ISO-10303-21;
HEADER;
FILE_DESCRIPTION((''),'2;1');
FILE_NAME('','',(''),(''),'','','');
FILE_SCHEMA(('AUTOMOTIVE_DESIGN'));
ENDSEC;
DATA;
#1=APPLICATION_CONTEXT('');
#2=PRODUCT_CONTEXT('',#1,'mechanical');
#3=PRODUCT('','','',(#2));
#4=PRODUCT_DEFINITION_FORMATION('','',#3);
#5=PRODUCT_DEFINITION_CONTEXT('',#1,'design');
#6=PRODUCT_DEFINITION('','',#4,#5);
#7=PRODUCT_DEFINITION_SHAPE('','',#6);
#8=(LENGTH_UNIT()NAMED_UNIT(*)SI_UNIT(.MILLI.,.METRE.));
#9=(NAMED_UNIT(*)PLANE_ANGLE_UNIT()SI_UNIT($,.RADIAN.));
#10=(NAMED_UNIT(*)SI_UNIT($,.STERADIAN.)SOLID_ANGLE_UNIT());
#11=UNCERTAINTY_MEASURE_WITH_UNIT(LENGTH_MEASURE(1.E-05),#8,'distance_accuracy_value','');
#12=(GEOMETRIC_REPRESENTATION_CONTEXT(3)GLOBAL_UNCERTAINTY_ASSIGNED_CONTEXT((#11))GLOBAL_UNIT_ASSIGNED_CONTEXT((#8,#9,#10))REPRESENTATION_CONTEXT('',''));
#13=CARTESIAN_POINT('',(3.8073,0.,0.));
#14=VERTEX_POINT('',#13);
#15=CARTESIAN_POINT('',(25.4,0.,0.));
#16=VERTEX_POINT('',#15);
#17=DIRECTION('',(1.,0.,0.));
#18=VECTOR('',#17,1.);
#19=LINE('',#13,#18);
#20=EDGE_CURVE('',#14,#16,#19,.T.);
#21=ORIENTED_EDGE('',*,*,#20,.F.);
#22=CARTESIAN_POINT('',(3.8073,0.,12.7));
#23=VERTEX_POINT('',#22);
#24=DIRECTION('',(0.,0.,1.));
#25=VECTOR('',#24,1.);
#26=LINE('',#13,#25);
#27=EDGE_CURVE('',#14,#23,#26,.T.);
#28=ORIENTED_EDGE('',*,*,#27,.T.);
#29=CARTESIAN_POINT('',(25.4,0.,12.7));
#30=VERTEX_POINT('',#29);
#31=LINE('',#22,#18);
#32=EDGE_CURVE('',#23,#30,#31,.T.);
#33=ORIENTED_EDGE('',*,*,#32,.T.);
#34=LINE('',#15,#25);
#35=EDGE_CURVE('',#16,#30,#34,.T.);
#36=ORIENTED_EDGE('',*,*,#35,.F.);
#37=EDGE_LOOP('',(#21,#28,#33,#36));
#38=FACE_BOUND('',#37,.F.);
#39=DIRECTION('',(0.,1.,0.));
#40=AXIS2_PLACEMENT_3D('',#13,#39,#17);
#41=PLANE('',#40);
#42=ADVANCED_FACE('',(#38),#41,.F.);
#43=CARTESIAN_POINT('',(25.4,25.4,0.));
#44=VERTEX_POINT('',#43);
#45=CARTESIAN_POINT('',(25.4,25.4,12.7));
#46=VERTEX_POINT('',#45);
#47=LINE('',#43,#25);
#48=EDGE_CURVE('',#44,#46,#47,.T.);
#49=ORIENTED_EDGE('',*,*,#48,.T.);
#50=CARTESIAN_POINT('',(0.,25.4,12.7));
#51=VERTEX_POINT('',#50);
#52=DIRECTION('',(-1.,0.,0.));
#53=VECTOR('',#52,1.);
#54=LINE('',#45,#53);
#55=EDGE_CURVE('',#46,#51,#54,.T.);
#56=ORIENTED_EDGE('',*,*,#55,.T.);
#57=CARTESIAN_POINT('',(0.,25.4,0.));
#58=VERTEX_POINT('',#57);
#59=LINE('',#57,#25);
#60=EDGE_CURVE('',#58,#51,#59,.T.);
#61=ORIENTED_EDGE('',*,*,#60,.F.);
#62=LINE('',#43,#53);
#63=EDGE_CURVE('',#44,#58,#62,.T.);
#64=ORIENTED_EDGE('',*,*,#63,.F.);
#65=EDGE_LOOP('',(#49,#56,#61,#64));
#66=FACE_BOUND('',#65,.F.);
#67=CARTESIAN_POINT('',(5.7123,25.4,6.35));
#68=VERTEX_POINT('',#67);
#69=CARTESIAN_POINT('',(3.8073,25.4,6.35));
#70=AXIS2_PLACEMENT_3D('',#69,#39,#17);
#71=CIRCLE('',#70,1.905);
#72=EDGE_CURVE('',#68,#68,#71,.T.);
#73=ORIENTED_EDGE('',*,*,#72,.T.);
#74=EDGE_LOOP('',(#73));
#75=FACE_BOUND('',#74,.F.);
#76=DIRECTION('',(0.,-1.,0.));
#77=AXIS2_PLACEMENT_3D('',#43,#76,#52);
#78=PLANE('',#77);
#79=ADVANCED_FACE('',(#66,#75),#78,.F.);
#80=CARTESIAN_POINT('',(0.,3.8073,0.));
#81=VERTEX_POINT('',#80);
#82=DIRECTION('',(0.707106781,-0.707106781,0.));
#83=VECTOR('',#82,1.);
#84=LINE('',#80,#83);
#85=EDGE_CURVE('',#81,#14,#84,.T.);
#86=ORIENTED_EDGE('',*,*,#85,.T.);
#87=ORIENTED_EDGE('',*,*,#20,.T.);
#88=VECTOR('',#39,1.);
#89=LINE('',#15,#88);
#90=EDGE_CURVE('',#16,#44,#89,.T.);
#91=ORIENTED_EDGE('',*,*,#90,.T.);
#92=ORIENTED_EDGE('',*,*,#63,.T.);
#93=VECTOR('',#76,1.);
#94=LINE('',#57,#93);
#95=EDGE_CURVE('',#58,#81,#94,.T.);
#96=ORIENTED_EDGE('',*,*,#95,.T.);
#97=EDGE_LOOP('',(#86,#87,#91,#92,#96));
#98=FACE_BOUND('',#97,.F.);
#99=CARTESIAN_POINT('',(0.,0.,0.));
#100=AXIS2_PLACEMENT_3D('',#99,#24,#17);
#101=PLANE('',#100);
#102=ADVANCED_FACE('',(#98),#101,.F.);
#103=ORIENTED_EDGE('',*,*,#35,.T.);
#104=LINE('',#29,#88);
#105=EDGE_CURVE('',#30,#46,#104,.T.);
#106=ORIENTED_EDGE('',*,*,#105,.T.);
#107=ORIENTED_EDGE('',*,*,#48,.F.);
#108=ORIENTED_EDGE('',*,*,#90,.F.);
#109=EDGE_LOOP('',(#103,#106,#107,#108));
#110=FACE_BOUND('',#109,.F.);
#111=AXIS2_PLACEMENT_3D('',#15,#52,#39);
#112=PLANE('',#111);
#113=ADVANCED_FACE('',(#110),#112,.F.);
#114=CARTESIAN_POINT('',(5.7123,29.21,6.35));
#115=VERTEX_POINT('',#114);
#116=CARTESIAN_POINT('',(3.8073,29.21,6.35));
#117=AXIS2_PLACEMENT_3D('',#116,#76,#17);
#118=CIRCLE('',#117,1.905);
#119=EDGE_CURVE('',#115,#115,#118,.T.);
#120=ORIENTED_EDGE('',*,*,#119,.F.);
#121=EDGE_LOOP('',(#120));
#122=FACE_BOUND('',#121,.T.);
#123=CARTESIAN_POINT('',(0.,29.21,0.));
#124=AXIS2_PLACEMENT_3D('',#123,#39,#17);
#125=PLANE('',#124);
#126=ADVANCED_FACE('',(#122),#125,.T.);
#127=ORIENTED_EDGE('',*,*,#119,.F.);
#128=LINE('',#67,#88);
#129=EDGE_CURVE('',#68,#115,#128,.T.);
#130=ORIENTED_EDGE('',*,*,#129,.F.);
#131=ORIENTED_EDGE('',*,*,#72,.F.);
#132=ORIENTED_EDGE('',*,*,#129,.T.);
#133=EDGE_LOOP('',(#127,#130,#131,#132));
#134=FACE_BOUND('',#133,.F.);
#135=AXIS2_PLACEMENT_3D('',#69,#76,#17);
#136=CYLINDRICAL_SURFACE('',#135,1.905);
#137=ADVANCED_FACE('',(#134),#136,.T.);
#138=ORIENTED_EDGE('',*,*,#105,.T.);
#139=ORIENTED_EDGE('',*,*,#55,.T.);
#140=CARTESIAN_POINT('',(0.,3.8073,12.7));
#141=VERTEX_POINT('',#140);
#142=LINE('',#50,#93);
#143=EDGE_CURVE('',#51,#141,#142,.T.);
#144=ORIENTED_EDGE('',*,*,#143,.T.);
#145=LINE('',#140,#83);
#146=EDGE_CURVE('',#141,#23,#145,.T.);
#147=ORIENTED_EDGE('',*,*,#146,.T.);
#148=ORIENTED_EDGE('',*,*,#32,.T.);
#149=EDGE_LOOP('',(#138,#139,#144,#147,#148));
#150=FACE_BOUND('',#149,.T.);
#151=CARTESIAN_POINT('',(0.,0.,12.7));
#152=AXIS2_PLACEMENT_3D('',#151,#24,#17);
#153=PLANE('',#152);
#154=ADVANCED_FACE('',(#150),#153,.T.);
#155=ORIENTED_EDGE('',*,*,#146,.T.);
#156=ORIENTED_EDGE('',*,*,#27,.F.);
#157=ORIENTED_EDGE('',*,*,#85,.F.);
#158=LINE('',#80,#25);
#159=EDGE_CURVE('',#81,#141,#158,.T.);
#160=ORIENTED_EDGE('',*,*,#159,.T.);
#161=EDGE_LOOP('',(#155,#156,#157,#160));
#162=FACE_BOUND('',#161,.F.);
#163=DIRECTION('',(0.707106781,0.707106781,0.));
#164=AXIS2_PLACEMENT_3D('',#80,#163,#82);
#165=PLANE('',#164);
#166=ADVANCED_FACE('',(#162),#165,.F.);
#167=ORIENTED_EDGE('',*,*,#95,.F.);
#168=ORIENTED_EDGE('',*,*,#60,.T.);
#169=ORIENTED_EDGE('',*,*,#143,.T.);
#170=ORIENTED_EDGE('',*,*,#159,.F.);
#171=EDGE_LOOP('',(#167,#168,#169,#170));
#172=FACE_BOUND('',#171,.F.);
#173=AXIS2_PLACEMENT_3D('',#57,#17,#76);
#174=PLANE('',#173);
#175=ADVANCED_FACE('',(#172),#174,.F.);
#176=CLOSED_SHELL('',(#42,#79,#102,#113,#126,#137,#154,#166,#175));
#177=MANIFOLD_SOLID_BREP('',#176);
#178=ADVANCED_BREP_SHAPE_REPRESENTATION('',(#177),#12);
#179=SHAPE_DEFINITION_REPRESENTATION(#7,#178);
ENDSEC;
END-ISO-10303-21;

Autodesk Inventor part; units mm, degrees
ref_plane "YZ Plane" through (0, 0, 0) normal (1, 0, 0) x (0, 1, 0)
ref_plane "XZ Plane" through (0, 0, 0) normal (0, 1, 0) x (-1, 0, 0)
ref_plane "XY Plane" through (0, 0, 0) normal (0, 0, 1) x (1, 0, 0)
sketch "Sketch1" plane through (0, 0, 0) normal (0, 0, 1) x (1, 0, 0)
  line L0 (3.8073, 0) -> (25.4, 0)
  line L1 (25.4, 0) -> (25.4, 25.4)
  line L2 (25.4, 25.4) -> (0, 25.4)
  line L3 (0, 25.4) -> (0, 3.8073)
  line L4 (0, 3.8073) -> (3.8073, 0)
  line L5 (0, 3.8073) -> (5.3843, 3.8073) construction
  point P0 (0, 0)
  dimension "d2" = 25.4
  dimension "d3" = 25.4
  dimension "d4" = 45
extrude "Extrusion1" add sketch "Sketch1" along normal blind 12.7
sketch "Sketch2" plane through (0, 25.4, 0) normal (0, 1, 0) x (1, 0, 0)
  line L0 (25.4, 0) -> (0, 0) projected
  line L1 (0, 0) -> (0, -12.7) projected
  line L2 (25.4, -12.7) -> (0, -12.7) projected
  line L3 (25.4, 0) -> (25.4, -12.7) projected
  line L4 (3.8073, 0) -> (3.8073, -12.7) projected
  circle A0 centre (3.8073, -6.35) radius 1.905
  dimension "d7" = 3.81
extrude "Extrusion2" add sketch "Sketch2" along normal blind 3.81 contours A0 L4 | L4 A0
properties part number "Finger Servo"
